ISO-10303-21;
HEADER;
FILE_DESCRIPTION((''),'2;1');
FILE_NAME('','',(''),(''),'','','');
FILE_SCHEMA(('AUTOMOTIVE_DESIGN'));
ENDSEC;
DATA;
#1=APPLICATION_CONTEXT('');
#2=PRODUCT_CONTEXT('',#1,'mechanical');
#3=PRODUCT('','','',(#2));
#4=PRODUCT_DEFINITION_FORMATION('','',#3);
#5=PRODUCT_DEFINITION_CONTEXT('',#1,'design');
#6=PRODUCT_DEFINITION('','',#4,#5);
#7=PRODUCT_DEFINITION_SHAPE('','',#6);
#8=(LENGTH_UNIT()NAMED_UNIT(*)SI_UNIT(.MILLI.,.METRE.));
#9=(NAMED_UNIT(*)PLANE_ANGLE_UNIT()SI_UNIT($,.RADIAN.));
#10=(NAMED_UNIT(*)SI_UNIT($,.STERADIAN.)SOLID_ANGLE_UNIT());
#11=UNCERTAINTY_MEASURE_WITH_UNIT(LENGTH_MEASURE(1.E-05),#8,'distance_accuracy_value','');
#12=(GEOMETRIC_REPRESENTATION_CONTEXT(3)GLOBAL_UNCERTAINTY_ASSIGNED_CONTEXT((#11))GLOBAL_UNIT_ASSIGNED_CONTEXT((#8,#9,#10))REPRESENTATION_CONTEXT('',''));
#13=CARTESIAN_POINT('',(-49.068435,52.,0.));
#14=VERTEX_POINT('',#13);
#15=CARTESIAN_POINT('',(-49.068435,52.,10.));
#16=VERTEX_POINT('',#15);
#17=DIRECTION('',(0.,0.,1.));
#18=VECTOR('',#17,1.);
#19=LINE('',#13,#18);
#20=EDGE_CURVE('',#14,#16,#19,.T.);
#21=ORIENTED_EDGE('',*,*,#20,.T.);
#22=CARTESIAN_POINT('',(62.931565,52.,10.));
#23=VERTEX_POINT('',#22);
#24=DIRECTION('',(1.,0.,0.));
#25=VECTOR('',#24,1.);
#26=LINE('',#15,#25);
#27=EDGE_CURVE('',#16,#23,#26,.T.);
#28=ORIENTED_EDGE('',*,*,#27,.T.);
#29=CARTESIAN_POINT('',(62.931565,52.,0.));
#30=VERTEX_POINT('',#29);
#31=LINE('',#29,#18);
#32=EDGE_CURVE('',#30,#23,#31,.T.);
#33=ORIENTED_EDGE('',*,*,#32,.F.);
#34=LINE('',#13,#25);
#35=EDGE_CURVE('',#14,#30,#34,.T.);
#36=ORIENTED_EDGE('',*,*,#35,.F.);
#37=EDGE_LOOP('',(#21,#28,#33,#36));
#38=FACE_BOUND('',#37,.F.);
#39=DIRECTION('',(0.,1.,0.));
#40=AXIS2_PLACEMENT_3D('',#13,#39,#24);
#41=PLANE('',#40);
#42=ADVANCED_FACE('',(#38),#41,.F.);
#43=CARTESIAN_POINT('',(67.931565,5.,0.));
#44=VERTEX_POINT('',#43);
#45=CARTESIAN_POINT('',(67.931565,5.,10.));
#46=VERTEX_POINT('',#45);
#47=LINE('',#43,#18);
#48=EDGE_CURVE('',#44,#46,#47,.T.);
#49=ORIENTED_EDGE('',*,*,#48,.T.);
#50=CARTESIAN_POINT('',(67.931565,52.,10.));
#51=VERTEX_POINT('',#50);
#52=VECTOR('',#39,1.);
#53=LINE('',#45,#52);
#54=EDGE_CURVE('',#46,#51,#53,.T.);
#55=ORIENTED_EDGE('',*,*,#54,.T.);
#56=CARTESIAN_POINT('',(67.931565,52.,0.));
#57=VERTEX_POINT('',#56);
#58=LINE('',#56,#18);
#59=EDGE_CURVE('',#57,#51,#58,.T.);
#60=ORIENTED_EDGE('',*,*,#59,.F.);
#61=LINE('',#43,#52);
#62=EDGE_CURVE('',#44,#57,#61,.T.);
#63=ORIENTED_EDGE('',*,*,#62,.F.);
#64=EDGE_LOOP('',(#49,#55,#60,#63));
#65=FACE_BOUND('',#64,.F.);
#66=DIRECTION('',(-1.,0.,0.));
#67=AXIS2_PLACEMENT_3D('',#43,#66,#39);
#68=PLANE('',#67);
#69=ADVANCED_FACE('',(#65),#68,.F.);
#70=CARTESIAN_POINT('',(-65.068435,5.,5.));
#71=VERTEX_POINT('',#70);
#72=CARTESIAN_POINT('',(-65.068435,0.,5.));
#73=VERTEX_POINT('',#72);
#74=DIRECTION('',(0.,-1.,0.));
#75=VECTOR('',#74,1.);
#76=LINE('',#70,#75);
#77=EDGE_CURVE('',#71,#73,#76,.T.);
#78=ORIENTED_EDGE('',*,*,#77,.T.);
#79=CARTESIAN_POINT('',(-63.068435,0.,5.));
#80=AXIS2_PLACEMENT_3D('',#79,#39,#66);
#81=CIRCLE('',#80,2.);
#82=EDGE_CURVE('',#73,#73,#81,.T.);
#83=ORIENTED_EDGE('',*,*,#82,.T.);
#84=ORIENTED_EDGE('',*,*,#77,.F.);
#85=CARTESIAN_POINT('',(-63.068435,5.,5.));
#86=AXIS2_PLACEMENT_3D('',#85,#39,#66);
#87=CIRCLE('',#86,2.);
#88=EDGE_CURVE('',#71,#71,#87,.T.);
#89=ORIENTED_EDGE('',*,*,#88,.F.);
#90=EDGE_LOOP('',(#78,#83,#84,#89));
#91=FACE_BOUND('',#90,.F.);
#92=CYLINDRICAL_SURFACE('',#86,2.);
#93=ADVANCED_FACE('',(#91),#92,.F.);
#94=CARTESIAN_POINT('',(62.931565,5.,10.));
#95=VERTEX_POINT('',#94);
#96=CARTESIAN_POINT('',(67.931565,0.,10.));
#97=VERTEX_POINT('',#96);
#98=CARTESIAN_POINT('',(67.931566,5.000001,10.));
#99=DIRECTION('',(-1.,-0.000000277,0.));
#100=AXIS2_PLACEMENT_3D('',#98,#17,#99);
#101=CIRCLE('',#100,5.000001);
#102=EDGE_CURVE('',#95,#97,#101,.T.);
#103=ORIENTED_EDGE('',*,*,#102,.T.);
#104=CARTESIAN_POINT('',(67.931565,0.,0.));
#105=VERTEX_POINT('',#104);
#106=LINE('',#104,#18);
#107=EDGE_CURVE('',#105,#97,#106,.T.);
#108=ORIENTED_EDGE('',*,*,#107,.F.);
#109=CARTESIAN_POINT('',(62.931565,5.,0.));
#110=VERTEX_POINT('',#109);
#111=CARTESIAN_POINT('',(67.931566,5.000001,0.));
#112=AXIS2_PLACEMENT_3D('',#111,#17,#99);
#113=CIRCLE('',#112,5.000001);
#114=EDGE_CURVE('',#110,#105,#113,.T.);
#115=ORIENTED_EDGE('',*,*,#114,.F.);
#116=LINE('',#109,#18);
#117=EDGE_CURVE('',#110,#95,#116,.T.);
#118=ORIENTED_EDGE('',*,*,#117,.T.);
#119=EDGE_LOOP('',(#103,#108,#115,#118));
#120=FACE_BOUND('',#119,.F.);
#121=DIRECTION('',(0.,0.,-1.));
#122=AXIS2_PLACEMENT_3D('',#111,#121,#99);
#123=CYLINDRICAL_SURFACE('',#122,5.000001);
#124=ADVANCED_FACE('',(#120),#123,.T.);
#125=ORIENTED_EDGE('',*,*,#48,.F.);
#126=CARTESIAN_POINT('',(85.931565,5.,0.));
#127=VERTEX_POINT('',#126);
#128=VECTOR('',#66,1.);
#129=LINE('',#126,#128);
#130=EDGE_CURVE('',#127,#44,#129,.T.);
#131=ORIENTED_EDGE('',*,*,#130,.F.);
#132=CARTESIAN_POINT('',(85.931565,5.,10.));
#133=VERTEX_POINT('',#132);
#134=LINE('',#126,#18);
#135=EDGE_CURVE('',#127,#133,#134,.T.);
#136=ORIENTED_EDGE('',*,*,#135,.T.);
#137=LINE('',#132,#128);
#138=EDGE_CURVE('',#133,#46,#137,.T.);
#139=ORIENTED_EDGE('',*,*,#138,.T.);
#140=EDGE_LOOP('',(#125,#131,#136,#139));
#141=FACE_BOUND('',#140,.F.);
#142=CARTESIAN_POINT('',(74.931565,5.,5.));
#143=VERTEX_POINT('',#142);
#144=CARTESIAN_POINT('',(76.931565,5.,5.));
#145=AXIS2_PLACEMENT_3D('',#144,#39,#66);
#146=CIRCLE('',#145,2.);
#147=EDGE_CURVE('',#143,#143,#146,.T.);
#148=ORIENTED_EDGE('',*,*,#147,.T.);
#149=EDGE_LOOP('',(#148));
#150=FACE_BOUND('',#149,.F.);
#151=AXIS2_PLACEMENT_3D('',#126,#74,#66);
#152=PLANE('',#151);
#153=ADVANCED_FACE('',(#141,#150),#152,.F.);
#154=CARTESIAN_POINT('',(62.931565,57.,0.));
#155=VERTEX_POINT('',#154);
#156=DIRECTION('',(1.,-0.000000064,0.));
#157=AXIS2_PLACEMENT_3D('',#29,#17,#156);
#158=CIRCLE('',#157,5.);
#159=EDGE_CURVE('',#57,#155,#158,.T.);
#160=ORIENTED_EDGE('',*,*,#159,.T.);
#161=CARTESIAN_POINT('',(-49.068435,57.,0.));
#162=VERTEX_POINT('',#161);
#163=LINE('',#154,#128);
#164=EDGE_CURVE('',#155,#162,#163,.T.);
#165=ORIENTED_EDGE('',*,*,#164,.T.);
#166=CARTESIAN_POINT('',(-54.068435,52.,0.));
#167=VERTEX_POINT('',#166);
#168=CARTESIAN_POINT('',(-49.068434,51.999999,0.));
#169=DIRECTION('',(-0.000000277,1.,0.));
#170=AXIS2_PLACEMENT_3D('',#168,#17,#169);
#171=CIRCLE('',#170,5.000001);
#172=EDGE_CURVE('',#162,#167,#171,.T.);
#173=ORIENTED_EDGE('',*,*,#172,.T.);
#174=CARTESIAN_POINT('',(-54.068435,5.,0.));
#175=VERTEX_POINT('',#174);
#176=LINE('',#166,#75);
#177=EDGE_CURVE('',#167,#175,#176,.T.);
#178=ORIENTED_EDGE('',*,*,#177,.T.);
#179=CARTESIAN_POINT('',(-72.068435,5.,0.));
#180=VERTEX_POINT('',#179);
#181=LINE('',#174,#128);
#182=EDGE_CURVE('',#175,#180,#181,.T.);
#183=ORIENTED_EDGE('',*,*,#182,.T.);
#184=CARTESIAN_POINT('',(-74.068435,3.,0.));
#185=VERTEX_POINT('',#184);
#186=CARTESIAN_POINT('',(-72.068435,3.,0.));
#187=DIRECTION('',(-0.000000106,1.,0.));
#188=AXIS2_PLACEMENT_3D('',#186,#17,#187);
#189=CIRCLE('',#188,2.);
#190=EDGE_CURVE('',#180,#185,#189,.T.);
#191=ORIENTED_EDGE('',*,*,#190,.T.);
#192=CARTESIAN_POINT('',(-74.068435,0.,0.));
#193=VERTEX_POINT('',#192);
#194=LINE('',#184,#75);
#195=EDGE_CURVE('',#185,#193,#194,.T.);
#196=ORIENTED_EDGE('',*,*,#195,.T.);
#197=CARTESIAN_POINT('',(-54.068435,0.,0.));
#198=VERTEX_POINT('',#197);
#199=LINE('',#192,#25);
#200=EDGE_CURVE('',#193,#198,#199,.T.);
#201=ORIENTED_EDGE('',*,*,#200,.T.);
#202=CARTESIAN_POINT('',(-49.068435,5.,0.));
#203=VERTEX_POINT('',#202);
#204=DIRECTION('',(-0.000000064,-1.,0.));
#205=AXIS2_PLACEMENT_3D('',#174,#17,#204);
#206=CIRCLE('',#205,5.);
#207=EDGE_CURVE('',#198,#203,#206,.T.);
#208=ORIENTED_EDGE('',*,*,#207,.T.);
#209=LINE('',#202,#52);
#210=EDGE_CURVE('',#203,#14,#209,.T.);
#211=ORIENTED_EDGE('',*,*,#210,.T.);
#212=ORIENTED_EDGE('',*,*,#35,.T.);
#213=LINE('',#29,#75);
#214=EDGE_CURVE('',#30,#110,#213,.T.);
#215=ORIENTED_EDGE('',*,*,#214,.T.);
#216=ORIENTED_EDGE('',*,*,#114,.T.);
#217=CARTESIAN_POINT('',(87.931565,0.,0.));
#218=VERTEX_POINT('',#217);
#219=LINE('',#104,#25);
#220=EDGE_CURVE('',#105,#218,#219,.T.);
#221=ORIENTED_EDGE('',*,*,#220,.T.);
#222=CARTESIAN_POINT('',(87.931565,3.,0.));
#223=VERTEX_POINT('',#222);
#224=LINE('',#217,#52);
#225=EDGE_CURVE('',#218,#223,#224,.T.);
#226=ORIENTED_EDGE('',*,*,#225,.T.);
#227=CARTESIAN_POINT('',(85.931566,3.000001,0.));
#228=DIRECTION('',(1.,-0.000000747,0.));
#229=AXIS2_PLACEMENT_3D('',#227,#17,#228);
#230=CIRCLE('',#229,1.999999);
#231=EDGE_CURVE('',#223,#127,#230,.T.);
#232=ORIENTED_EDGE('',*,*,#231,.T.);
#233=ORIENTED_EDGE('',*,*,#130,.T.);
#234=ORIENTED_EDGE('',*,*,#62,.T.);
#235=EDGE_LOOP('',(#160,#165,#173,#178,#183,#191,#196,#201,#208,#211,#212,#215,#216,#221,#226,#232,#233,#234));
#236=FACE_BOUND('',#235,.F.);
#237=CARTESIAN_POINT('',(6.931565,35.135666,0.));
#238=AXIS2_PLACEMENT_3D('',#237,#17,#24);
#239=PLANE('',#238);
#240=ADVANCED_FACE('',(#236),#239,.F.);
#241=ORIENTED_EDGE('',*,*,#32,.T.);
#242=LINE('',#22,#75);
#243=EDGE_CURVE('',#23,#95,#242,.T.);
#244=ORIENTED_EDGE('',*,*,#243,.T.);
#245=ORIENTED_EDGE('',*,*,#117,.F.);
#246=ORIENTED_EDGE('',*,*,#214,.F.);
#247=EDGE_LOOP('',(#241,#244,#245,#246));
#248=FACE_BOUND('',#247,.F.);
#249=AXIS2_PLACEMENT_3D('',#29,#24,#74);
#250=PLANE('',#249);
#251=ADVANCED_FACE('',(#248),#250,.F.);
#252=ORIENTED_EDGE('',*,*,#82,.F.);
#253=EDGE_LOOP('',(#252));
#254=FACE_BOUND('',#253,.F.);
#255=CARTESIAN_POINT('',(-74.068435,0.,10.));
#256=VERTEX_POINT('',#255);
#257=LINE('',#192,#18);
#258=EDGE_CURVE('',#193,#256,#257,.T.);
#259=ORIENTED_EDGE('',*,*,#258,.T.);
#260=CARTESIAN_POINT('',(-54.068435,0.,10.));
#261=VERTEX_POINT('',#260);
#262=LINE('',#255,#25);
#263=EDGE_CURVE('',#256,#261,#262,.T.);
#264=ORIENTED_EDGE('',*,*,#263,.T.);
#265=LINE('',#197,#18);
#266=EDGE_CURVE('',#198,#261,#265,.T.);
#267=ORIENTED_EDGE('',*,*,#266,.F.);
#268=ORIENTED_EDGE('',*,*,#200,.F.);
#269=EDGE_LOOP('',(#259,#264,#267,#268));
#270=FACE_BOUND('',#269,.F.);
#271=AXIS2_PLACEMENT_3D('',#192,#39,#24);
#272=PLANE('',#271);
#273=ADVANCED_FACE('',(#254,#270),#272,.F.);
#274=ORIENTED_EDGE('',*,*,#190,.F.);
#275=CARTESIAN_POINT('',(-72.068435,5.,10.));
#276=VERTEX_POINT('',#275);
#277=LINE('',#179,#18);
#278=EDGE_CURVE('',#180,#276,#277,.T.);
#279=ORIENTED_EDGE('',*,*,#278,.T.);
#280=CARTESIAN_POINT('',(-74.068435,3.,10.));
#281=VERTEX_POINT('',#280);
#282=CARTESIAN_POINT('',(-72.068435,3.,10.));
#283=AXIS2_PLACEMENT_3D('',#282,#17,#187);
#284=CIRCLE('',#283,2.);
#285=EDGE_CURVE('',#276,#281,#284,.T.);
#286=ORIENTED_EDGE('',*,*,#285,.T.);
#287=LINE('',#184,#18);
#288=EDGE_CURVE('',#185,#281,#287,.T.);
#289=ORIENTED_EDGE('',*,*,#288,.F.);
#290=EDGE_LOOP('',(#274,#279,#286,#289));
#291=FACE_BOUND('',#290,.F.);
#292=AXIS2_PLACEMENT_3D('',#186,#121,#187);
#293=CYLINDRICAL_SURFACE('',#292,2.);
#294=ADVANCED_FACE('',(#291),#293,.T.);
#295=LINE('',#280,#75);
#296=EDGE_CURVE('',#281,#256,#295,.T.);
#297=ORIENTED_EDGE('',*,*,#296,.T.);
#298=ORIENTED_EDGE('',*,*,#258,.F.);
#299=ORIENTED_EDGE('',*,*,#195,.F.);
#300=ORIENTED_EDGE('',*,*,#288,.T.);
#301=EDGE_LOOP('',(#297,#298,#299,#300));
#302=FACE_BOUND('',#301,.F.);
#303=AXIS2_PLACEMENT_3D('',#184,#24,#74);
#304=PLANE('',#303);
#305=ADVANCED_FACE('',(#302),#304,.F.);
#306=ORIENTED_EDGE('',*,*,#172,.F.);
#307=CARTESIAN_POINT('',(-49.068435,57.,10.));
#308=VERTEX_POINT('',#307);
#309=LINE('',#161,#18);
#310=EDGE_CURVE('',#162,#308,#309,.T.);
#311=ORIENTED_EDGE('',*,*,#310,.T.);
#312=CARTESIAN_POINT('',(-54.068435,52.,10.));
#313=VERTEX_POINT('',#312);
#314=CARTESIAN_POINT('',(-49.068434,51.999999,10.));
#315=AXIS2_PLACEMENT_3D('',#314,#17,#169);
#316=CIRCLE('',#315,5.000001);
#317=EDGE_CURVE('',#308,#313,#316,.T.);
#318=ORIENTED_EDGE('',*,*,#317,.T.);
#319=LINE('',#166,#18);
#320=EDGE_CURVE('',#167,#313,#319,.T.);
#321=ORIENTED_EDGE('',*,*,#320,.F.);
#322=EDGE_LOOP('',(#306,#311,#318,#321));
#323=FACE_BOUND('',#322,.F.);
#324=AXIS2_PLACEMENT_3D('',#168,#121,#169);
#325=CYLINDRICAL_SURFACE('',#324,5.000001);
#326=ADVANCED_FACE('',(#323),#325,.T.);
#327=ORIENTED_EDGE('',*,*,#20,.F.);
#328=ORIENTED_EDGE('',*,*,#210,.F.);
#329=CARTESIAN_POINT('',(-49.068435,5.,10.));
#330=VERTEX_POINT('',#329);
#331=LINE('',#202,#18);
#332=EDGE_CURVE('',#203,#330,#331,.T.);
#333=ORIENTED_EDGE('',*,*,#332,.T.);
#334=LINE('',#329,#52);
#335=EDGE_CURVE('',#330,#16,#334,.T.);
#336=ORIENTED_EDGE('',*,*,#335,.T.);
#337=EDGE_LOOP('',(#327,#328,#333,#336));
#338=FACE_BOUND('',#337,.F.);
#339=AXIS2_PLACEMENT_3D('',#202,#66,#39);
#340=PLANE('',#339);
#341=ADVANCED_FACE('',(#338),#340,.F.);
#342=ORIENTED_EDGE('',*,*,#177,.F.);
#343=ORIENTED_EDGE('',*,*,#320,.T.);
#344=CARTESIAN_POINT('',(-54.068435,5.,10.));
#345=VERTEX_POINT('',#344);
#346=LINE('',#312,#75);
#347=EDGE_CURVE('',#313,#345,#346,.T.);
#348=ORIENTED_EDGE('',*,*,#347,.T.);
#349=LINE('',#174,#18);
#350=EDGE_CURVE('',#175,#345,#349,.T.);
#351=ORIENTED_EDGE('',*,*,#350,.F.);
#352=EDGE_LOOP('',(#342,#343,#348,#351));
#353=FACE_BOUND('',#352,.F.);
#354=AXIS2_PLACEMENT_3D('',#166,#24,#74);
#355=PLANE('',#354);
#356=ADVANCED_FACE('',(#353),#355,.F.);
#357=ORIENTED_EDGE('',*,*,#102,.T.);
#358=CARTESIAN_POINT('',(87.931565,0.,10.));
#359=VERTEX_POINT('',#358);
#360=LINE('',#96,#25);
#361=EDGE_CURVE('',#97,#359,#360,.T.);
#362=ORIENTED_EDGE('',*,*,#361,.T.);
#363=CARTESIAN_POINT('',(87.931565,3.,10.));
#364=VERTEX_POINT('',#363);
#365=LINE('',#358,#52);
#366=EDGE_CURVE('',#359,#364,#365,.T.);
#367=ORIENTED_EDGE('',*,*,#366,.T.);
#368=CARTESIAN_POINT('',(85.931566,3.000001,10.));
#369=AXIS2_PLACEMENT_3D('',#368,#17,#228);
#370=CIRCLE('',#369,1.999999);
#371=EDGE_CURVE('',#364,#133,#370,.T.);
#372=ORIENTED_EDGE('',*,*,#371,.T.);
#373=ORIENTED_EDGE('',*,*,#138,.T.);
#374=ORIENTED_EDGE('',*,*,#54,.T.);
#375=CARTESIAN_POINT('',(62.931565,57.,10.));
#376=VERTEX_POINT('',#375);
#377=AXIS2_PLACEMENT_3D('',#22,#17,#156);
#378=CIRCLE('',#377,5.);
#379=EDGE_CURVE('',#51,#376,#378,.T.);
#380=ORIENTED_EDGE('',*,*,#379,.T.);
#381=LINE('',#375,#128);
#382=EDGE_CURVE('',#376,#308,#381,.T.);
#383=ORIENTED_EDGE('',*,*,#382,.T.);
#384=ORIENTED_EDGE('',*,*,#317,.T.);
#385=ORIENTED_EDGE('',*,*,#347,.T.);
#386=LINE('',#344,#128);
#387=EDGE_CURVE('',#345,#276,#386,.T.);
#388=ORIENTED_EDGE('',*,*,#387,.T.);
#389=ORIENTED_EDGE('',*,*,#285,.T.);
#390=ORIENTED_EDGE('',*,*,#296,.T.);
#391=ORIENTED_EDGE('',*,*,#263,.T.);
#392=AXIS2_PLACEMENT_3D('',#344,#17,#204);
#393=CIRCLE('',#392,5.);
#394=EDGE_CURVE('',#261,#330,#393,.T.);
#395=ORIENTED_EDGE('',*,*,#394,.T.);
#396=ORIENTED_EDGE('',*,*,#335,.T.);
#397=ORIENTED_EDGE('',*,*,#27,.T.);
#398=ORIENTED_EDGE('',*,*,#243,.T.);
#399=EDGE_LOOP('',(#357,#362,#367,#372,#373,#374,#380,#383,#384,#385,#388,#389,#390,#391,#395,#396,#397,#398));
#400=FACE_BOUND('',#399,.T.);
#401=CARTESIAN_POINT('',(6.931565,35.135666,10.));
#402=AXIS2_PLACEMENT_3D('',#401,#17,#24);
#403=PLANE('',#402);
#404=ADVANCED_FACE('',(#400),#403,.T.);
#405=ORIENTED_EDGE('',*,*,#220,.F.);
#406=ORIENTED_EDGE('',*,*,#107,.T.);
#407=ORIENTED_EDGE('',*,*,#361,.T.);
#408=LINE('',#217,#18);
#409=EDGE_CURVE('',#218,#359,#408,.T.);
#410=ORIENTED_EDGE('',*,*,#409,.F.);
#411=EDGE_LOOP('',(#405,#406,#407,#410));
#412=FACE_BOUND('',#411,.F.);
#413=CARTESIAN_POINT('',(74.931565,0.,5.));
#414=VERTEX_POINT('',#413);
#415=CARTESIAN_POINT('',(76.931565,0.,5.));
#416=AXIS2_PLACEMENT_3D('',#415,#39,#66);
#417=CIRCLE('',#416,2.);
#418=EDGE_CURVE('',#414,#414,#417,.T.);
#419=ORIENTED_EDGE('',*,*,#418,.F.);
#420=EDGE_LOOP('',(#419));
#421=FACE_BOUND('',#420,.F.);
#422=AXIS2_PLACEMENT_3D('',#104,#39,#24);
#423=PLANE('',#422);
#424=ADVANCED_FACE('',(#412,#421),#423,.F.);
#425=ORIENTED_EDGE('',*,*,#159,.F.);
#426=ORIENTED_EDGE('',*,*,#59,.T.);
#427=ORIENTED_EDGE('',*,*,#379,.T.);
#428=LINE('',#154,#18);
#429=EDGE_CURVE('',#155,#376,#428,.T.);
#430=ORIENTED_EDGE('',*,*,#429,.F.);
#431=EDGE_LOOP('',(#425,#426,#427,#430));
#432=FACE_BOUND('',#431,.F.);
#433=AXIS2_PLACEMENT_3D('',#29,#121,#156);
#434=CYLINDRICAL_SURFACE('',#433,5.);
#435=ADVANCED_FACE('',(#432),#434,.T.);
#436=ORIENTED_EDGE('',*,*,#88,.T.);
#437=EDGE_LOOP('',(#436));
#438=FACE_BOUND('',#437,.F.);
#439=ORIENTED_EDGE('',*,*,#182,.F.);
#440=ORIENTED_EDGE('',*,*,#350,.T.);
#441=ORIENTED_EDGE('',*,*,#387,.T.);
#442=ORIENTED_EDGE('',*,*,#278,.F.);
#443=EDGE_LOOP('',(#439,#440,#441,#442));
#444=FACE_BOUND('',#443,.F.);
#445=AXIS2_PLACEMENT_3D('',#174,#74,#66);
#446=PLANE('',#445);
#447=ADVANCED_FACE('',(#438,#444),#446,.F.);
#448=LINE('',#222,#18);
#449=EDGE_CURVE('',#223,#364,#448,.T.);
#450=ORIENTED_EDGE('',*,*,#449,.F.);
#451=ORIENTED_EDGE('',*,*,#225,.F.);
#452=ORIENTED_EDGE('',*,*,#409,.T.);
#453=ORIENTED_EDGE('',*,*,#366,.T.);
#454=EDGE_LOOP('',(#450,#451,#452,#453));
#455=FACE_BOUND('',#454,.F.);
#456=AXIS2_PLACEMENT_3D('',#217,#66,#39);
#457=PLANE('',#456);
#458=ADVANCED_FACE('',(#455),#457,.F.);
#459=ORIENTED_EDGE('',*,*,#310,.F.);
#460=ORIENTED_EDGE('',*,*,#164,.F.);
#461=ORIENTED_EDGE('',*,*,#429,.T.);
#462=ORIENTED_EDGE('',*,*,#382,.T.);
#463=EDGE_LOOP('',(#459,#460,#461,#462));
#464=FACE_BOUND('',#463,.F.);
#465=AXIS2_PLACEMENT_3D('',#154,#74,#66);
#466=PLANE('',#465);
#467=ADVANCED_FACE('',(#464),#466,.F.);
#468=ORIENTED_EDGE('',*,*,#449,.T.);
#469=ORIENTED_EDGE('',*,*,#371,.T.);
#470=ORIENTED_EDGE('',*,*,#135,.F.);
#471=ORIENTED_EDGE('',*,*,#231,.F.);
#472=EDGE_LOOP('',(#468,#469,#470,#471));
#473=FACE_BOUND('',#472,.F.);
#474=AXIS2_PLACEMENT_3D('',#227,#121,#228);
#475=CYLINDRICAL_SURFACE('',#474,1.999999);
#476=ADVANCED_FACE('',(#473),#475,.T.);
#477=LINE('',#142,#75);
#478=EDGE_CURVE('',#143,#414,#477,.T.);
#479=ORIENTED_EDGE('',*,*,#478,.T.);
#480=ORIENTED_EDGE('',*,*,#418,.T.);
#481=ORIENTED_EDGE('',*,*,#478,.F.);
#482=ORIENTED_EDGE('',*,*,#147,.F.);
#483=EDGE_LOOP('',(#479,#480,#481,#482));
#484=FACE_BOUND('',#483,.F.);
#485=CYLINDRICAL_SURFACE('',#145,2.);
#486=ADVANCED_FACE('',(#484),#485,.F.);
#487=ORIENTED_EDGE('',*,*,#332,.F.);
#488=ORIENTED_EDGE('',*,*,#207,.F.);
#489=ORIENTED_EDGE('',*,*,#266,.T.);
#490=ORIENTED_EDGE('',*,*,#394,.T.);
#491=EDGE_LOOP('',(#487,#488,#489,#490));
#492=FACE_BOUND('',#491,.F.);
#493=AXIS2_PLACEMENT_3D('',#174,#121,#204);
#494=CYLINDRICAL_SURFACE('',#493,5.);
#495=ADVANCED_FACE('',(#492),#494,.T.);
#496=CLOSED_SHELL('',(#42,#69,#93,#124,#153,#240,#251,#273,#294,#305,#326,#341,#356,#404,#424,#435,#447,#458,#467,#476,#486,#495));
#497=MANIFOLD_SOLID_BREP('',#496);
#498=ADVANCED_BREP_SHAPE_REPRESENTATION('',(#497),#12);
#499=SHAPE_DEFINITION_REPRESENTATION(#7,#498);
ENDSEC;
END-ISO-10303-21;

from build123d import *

# Parameters (mm, degrees)
F1_DEPTH = 10
F2_R     = 2
F3_R     = 2
F4_DEPTH = 25


with BuildPart() as f1:
    # F0 (on Top) → F1 (new body)
    with BuildSketch(Plane.XY):
        with BuildLine():
            Line((-49.068435, 5), (-49.068435, 52))
            Line((-49.068435, 52), (62.931565, 52))
            Line((62.931565, 52), (62.931565, 5))
            ThreePointArc((62.931565, 5), (64.396032, 1.464466), (67.931565, 0))
            Line((67.931565, 0), (87.931565, 0))
            Line((87.931565, 0), (87.931565, 3))
            ThreePointArc((87.931565, 3), (87.345779, 4.414214), (85.931565, 5))
            Line((85.931565, 5), (67.931565, 5))
            Line((67.931565, 5), (67.931565, 52))
            ThreePointArc((67.931565, 52), (66.467099, 55.535534), (62.931565, 57))
            Line((62.931565, 57), (-49.068435, 57))
            ThreePointArc((-49.068435, 57), (-52.603968, 55.535534), (-54.068435, 52))
            Line((-54.068435, 52), (-54.068435, 5))
            Line((-54.068435, 5), (-72.068435, 5))
            ThreePointArc((-72.068435, 5), (-73.482648, 4.414214), (-74.068435, 3))
            Line((-74.068435, 3), (-74.068435, 0))
            Line((-74.068435, 0), (-54.068435, 0))
            ThreePointArc((-54.068435, 0), (-50.532901, 1.464466), (-49.068435, 5))
        make_face()
    extrude(amount=F1_DEPTH)

    # F2 (on face) + F3 (on face) → F4 (cut)
    with BuildSketch(Plane(origin=(0, 5, 0), x_dir=(-1, 0, 0), z_dir=(0, 1, 0))):
        with Locations((63.068435, 5)):
            Circle(F2_R)
    with BuildSketch(Plane(origin=(0, 5, 0), x_dir=(-1, 0, 0), z_dir=(0, 1, 0))):
        with Locations((-76.931565, 5)):
            Circle(F3_R)
    extrude(amount=-F4_DEPTH, mode=Mode.SUBTRACT)


solid = f1.part
